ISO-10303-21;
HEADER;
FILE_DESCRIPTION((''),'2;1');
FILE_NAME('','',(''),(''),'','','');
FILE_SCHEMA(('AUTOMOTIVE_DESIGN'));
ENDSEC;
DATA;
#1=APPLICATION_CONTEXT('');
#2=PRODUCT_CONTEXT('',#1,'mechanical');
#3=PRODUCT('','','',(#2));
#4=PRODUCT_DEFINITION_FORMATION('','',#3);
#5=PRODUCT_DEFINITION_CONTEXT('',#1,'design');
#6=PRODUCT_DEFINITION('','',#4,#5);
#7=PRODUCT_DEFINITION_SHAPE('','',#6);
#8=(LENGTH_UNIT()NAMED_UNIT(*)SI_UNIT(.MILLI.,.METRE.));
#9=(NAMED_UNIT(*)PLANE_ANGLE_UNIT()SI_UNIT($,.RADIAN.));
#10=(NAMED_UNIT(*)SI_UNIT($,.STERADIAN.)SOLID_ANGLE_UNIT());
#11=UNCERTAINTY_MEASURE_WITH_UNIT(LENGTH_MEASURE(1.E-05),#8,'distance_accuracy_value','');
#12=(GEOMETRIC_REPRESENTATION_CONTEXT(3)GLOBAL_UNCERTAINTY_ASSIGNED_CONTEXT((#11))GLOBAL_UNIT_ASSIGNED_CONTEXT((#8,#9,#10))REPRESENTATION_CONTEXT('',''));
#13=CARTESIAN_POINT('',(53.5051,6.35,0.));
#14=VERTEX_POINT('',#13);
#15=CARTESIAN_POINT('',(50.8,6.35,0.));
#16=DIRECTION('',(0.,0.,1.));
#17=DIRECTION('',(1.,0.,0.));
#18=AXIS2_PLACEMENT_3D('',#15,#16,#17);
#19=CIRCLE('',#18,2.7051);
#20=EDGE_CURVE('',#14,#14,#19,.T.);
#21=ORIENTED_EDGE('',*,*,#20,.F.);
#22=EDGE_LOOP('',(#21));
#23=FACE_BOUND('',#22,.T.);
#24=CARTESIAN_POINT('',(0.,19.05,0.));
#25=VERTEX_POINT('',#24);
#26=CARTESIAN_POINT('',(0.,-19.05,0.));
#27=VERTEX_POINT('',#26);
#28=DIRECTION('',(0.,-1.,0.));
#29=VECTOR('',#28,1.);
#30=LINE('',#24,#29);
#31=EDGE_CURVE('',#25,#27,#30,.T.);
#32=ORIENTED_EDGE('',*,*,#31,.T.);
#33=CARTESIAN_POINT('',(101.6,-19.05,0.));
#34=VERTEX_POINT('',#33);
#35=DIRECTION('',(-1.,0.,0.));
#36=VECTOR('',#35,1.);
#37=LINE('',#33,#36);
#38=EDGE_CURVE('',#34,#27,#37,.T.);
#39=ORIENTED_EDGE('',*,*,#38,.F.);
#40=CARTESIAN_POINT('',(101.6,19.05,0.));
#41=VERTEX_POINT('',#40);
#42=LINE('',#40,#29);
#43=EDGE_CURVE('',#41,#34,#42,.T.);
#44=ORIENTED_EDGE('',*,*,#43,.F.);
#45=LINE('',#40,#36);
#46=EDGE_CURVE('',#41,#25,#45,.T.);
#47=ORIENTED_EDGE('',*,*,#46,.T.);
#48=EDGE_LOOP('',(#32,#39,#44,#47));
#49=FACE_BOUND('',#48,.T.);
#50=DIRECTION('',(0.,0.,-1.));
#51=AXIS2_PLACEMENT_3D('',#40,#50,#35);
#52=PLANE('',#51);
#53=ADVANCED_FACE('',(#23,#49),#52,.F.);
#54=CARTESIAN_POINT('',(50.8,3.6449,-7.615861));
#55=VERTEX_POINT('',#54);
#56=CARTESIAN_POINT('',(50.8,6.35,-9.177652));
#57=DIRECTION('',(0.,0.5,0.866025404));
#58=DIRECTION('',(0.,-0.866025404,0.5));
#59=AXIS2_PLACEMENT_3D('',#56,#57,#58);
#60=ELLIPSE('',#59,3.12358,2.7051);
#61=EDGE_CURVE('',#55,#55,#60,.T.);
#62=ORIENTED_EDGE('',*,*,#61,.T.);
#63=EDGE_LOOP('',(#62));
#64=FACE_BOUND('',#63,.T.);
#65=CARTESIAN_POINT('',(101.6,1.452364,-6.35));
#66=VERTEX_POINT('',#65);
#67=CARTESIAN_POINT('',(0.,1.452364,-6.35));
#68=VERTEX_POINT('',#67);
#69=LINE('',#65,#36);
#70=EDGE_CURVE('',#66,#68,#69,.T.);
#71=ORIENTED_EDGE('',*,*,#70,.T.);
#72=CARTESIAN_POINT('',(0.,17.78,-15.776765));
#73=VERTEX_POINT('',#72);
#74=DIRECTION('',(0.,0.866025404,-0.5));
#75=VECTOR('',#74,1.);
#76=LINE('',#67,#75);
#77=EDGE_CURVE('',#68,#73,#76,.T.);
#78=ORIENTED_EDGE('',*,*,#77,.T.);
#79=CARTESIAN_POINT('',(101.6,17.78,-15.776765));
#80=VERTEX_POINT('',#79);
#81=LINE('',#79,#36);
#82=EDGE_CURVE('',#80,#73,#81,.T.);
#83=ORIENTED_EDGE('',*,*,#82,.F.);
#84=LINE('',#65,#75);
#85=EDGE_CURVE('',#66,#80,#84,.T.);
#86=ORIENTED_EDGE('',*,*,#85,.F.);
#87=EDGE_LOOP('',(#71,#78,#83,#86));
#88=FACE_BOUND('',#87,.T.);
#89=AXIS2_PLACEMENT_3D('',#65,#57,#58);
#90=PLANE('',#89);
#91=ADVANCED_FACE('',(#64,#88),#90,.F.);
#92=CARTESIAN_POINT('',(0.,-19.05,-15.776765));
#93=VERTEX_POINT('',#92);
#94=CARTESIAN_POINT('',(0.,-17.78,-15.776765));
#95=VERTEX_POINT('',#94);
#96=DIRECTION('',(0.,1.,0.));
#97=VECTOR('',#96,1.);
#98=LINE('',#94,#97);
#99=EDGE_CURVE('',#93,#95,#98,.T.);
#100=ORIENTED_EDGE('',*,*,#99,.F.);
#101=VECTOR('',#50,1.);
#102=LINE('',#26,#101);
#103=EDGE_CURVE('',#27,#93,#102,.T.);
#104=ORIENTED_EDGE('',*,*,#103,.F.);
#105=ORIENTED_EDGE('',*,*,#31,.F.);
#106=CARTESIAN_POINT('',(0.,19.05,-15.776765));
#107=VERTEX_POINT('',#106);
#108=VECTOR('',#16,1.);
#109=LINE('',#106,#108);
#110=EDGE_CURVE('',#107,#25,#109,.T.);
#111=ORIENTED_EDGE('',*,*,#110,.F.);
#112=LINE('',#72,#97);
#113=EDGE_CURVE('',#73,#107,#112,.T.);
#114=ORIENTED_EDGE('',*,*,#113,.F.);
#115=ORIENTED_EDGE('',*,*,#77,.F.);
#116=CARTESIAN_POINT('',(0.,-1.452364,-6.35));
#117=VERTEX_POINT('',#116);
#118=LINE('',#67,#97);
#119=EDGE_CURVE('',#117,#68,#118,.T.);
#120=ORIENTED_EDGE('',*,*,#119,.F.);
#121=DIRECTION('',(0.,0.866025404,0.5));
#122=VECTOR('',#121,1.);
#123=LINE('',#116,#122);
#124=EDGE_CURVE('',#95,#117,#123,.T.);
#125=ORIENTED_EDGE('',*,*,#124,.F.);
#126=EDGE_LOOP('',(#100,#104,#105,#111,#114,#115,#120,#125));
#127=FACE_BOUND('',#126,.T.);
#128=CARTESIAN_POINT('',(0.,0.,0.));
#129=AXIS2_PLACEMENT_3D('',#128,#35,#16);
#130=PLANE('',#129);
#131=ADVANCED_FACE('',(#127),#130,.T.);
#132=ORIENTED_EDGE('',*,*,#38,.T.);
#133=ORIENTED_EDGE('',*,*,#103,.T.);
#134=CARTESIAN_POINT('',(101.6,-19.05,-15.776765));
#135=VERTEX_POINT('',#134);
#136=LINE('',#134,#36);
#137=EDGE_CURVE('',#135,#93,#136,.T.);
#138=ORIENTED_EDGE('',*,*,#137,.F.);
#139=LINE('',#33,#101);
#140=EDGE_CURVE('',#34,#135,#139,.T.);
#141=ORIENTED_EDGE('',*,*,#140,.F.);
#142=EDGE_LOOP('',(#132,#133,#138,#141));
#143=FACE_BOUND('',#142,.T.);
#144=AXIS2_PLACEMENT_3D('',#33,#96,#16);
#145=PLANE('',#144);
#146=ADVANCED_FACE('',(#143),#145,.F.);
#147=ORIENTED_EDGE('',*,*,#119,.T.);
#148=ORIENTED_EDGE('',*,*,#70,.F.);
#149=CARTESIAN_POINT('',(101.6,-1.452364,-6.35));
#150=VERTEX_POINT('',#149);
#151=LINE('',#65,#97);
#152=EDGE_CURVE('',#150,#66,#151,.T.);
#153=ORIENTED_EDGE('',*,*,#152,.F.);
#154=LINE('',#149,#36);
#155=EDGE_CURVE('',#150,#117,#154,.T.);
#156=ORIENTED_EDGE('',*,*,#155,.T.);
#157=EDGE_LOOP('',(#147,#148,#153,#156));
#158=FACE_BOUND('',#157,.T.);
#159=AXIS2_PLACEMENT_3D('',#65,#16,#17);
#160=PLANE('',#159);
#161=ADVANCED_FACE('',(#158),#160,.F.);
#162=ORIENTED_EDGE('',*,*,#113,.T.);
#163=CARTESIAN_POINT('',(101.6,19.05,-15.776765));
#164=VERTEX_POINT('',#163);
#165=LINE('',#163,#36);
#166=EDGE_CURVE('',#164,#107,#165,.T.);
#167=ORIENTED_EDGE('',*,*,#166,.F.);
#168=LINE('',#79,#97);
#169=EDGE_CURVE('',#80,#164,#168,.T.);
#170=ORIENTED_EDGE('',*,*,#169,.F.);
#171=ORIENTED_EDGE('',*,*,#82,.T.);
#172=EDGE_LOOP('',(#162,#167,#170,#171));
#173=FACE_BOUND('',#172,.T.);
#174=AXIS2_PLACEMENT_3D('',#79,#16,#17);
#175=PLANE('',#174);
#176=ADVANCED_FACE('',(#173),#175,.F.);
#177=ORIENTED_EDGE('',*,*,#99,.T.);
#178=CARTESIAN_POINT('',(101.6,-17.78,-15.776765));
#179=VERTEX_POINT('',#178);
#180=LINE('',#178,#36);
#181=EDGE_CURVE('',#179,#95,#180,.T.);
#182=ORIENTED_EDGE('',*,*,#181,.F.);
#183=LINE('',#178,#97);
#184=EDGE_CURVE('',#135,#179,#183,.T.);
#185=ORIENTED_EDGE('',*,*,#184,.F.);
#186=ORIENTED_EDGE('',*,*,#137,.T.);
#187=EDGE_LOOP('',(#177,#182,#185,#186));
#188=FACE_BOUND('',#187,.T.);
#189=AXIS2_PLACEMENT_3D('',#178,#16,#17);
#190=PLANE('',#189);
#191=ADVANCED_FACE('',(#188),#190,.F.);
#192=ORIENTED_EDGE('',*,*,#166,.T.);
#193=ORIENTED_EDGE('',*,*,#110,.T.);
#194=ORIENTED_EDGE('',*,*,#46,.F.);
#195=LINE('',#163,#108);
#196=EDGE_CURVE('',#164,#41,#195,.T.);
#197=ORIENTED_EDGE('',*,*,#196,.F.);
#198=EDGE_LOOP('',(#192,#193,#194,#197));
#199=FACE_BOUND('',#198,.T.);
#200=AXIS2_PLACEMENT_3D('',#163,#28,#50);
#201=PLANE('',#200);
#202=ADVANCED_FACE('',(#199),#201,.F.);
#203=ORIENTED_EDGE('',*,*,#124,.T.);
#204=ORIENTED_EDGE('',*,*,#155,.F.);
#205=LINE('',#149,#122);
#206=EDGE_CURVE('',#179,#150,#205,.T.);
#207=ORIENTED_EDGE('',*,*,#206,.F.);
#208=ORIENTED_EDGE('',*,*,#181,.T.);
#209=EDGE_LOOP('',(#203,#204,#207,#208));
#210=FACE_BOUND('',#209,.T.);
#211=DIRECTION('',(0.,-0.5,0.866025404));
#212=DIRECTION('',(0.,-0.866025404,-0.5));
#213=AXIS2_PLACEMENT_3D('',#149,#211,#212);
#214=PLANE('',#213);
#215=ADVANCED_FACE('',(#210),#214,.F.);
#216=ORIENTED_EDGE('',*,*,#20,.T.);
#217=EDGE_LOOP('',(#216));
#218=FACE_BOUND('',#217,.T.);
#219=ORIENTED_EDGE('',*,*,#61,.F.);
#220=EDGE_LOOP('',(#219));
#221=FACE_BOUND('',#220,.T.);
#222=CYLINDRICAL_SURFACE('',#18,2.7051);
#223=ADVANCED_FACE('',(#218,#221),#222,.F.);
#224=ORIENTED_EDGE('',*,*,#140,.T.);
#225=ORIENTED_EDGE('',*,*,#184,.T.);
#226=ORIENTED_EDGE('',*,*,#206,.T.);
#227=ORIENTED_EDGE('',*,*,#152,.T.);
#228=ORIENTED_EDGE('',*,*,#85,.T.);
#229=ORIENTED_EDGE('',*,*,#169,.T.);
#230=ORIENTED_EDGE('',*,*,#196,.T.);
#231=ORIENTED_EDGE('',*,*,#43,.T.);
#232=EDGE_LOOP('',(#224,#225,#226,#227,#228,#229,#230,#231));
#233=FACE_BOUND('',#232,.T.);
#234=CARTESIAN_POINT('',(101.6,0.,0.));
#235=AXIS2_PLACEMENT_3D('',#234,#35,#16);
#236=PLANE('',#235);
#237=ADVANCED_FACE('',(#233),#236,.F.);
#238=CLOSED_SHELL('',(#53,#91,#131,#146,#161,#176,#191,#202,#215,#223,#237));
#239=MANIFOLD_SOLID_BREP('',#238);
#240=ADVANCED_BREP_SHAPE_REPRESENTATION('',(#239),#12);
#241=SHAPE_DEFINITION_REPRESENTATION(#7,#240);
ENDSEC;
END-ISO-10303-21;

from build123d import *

# Parameters (mm, degrees)
BOSS_EXTRUDE1_DEPTH     = 101.6
F_1_4_28_TAPPED_HOLE1_D = 5.4102


with BuildPart() as part:
    # Sketch1 → Boss-Extrude1 (new body)
    with BuildSketch(Plane(origin=(0, 0, 0), x_dir=(0, 0, -1), z_dir=(1, 0, 0))):
        Polygon((0, 19.05), (0, -19.05), (15.776765158, -19.05), (15.776765158, -17.78), (6.35, -1.452363795), (6.35, 1.452363795), (15.776765158, 17.78), (15.776765158, 19.05), align=None)
    extrude(amount=BOSS_EXTRUDE1_DEPTH)

    # 1/4-28 Tapped Hole1 (through all)
    with Locations(Plane.XY):
        with Locations((50.8, 6.35)):
            Hole(F_1_4_28_TAPPED_HOLE1_D / 2)


solid = part.part
